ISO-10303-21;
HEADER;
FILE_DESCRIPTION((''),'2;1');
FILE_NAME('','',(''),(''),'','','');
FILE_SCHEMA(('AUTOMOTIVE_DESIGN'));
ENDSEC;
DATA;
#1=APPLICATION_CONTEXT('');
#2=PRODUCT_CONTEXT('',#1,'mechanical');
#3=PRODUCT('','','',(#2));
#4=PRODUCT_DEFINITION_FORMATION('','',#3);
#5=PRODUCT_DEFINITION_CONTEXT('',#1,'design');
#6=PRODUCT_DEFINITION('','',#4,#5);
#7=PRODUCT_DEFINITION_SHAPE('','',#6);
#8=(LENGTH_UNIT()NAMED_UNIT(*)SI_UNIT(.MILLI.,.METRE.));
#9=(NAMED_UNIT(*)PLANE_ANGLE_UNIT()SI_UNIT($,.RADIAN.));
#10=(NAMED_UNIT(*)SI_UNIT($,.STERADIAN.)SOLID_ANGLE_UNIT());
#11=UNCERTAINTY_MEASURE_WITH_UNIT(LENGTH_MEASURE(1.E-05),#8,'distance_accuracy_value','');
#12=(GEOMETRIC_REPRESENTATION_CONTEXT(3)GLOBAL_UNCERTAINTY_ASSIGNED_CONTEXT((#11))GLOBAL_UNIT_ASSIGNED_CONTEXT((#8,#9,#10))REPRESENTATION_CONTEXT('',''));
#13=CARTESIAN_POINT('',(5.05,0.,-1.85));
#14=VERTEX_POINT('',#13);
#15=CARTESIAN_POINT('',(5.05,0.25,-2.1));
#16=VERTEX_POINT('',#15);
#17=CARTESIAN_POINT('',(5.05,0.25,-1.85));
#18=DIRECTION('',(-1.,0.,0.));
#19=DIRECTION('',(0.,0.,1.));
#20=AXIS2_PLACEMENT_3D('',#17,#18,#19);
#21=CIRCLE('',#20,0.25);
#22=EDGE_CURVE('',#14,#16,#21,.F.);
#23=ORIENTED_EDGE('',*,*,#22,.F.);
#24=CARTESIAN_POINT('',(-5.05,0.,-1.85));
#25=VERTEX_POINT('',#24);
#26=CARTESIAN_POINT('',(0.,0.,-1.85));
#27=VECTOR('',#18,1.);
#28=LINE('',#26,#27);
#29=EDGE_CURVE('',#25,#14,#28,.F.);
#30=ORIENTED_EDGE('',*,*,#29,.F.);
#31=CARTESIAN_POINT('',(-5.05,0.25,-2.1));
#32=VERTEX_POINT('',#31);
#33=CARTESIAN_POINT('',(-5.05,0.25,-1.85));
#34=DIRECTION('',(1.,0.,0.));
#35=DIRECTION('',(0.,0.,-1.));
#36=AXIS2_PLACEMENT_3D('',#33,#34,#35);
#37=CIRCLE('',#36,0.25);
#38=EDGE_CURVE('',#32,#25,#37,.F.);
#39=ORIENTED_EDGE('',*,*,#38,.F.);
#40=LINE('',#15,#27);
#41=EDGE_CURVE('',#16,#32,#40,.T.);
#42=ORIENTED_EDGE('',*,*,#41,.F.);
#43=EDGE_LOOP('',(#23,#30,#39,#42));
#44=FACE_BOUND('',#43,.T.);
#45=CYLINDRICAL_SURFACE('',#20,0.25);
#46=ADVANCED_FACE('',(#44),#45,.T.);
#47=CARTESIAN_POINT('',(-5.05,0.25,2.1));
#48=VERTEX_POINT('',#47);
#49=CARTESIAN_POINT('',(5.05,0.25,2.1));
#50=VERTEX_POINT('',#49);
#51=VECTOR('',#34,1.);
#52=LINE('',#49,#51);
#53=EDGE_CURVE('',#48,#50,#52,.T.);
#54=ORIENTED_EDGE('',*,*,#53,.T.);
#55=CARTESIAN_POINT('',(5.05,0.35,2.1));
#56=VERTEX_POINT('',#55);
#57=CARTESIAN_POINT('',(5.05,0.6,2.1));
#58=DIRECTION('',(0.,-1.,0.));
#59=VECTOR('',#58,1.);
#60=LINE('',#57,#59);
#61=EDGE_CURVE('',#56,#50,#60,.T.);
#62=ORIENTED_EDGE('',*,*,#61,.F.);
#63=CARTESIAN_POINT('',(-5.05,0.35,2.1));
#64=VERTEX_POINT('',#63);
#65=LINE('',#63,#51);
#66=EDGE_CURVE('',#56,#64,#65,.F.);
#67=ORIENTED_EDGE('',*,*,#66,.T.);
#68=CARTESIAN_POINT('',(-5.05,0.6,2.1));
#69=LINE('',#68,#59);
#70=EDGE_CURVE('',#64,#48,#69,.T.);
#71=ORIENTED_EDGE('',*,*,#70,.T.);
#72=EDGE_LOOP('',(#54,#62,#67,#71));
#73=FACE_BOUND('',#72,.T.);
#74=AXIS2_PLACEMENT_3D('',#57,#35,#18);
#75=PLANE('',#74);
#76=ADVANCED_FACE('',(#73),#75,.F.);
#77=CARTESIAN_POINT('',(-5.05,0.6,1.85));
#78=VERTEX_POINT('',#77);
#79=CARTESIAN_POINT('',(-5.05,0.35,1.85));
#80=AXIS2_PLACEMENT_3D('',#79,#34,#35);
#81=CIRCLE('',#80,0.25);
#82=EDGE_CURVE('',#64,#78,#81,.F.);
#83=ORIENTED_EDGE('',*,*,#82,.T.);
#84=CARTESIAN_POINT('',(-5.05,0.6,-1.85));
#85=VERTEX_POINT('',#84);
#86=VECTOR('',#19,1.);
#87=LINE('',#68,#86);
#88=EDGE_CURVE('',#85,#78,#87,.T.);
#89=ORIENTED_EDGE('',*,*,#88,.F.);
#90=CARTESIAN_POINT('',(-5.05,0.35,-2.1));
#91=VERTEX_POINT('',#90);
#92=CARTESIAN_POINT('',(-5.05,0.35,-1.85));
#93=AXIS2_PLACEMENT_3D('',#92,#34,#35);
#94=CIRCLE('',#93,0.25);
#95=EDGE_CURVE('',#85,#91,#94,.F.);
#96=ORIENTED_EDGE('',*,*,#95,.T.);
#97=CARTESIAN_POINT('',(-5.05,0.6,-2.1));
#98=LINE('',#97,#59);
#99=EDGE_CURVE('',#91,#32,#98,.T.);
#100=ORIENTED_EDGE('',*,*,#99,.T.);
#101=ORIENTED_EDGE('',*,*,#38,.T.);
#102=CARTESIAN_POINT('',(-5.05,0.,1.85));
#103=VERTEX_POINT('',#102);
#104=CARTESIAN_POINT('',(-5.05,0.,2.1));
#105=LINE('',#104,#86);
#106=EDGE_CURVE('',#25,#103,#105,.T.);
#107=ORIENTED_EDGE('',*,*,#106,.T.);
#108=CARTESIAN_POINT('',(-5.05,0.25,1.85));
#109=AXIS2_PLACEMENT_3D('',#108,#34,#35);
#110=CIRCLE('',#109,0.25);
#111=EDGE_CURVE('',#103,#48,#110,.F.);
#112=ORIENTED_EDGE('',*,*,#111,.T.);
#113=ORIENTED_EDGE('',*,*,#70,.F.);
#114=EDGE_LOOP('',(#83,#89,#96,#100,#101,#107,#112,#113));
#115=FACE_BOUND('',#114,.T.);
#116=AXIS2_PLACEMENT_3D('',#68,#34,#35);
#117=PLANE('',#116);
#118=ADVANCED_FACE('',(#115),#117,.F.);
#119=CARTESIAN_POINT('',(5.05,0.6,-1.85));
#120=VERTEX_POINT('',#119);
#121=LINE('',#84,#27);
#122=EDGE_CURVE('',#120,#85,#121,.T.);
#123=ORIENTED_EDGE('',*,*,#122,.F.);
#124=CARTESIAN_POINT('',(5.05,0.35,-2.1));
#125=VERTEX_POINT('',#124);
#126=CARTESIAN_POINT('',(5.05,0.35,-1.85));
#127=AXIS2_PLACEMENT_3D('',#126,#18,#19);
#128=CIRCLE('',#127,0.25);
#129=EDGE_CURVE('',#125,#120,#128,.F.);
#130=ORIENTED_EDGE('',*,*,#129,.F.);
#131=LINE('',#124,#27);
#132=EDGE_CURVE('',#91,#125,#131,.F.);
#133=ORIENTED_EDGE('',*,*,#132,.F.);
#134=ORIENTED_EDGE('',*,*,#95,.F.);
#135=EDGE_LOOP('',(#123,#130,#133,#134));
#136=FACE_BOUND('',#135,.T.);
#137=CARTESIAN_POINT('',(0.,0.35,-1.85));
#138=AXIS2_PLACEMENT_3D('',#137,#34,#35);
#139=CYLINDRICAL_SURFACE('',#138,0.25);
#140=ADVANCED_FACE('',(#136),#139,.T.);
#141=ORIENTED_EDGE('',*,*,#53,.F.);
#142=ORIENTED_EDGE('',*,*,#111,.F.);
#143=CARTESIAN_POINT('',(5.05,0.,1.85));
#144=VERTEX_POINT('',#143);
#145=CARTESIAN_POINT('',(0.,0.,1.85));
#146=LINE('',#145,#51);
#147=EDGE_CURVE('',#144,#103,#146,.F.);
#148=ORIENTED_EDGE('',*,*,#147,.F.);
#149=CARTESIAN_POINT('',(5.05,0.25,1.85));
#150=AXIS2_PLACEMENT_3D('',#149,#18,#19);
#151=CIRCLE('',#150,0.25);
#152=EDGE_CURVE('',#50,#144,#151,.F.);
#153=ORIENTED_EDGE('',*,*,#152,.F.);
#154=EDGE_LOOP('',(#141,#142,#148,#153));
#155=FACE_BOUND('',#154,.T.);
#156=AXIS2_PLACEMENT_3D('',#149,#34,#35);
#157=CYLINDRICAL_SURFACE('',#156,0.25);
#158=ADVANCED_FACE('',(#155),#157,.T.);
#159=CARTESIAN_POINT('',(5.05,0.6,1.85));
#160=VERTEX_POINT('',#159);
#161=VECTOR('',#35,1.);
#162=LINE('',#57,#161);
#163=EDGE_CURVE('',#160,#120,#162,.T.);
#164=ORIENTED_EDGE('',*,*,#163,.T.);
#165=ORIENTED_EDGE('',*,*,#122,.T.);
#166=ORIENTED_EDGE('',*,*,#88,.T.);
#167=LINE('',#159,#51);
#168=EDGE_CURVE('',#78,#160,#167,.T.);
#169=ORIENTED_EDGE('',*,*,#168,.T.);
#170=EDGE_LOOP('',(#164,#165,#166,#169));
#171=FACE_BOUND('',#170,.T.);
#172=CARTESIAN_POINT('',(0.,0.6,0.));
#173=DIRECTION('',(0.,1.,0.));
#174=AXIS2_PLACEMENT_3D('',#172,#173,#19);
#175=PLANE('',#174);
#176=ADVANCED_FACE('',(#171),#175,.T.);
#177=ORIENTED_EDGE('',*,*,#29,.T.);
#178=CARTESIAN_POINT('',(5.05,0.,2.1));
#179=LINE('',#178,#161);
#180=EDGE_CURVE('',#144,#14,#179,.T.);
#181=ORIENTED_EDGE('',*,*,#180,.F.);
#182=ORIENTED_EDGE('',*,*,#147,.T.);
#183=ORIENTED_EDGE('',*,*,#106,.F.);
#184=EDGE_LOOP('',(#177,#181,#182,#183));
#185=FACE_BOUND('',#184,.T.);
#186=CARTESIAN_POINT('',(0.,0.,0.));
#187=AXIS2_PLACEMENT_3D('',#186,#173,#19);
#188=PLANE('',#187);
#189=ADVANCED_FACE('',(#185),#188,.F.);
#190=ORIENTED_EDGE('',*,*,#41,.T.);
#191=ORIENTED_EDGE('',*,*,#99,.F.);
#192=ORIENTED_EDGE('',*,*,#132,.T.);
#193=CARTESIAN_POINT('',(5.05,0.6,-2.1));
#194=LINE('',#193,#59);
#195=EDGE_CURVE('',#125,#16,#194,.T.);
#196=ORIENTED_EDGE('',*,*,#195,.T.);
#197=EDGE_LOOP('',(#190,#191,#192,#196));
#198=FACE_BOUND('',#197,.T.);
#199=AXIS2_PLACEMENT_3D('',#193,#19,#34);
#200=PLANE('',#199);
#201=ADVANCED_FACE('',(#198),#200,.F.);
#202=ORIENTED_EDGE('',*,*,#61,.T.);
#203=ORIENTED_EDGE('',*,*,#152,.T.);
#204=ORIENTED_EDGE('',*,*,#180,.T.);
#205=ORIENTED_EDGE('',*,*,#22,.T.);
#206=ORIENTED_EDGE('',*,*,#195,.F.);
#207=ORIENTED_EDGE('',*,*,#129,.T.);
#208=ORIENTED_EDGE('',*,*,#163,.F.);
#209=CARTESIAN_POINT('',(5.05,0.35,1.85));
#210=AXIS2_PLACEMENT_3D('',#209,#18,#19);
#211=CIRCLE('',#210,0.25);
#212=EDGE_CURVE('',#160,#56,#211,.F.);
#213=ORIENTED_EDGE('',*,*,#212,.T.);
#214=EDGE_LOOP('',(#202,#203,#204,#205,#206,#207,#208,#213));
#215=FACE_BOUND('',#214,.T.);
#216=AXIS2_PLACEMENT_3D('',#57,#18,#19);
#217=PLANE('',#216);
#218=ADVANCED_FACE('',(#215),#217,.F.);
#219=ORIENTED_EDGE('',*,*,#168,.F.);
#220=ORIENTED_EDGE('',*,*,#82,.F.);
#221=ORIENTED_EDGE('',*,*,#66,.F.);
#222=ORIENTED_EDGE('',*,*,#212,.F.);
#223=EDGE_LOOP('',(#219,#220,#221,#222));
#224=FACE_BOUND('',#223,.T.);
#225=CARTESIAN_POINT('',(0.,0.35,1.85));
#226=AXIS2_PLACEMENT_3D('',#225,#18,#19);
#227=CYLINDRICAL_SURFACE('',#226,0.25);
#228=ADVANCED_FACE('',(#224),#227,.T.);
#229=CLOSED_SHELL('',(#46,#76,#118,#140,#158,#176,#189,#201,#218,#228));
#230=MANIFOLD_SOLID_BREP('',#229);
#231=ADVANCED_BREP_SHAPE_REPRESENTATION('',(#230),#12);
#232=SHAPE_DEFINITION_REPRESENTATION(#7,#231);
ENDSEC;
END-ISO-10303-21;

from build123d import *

# Parameters (mm, degrees)
SKETCH1_W           = 10.1
SKETCH1_H           = 4.2
BOSS_EXTRUDE1_DEPTH = 0.6
FILLET1_R           = 0.25
FILLET2_R           = 0.25


with BuildPart() as part:
    # Sketch1 → Boss-Extrude1 (new body)
    with BuildSketch(Plane(origin=(0, 0, 0), x_dir=(1, 0, 0), z_dir=(0, 1, 0))):
        Rectangle(SKETCH1_W, SKETCH1_H)
    extrude(amount=BOSS_EXTRUDE1_DEPTH)

    # Fillet1
    fillet1_edges = [part.edges().sort_by_distance(p)[0] for p in [
        (0, 0.6, -2.1),
        (0, 0.6, 2.1),
    ]]
    fillet(fillet1_edges, radius=FILLET1_R)

    # Fillet2
    fillet2_edges = [part.edges().sort_by_distance(p)[0] for p in [
        (0, 0, -2.1),
        (0, 0, 2.1),
    ]]
    fillet(fillet2_edges, radius=FILLET2_R)


solid = part.part
